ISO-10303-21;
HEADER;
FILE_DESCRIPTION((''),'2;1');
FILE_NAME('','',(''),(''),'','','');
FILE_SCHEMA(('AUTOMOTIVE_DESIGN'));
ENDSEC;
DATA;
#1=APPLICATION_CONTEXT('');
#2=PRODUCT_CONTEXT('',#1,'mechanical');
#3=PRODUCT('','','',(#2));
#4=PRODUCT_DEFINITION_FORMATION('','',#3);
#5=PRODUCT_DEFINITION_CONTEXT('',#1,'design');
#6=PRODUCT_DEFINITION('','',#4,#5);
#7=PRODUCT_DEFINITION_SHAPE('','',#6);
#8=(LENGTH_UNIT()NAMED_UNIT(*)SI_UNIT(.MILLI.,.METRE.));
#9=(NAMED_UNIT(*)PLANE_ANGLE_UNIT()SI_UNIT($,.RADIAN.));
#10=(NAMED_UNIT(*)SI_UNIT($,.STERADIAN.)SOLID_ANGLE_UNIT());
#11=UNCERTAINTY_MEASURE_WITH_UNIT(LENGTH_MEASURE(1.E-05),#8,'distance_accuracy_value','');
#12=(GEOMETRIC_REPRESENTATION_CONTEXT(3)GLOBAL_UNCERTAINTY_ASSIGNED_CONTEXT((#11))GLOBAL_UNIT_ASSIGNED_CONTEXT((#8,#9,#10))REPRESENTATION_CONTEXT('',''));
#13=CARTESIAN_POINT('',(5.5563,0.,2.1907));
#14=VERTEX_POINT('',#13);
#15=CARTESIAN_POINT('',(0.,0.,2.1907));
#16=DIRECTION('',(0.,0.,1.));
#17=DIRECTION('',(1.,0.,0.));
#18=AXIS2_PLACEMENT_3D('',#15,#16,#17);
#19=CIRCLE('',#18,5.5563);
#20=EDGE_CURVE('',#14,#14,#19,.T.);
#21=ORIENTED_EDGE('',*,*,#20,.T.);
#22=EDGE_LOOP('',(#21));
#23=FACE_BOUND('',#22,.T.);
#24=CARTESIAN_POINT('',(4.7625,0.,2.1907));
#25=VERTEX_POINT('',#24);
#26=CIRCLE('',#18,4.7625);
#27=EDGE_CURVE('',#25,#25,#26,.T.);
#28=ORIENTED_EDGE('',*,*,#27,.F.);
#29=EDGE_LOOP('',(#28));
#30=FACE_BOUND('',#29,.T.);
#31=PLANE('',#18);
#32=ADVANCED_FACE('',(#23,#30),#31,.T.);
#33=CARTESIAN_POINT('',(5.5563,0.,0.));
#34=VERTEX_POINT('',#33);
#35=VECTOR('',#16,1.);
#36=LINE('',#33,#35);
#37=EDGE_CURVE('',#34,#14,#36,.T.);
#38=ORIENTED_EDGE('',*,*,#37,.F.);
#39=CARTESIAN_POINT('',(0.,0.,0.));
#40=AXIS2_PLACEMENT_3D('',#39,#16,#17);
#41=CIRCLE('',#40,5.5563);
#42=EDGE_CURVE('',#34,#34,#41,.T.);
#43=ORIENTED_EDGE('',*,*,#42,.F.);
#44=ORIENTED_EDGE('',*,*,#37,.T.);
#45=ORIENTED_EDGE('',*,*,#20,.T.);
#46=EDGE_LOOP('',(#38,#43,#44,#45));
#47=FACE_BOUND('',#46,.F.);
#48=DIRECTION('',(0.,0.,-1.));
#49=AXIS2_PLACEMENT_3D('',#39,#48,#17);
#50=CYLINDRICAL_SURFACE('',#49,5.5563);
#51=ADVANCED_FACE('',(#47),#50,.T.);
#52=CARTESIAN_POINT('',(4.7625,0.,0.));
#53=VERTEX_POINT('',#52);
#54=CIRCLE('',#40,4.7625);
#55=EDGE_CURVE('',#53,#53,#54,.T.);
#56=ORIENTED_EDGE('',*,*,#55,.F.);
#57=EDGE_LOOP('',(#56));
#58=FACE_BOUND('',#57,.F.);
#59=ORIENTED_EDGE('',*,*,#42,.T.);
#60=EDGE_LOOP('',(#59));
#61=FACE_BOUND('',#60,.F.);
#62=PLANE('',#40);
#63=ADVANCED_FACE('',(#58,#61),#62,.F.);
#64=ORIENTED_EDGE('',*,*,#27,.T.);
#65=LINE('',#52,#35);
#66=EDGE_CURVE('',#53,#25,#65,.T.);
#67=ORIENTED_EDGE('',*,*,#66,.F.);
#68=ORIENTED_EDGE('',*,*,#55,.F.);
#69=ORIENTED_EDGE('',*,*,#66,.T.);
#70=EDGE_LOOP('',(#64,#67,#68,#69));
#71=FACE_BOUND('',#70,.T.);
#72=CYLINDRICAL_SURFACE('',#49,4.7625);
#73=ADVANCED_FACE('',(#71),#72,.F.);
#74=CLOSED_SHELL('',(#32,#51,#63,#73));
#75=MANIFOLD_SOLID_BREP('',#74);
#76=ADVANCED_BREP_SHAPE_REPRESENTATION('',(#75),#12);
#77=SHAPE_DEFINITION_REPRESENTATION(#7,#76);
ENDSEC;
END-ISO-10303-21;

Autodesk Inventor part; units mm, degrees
ref_plane "YZ Plane" through (0, 0, 0) normal (1, 0, 0) x (0, 1, 0)
ref_plane "XZ Plane" through (0, 0, 0) normal (0, 1, 0) x (-1, 0, 0)
ref_plane "XY Plane" through (0, 0, 0) normal (0, 0, 1) x (1, 0, 0)
sketch "Sketch1" plane through (0, 0, 0) normal (0, 0, 1) x (1, 0, 0)
  circle A0 centre (0, 0) radius 4.7625
  circle A1 centre (0, 0) radius 5.5563
  dimension "d5" = 9.525
  dimension "d7" = 11.1125
extrude "Extrusion1" add sketch "Sketch1" along normal blind 2.1907
properties part number "Cluster Shaft Spacer"
